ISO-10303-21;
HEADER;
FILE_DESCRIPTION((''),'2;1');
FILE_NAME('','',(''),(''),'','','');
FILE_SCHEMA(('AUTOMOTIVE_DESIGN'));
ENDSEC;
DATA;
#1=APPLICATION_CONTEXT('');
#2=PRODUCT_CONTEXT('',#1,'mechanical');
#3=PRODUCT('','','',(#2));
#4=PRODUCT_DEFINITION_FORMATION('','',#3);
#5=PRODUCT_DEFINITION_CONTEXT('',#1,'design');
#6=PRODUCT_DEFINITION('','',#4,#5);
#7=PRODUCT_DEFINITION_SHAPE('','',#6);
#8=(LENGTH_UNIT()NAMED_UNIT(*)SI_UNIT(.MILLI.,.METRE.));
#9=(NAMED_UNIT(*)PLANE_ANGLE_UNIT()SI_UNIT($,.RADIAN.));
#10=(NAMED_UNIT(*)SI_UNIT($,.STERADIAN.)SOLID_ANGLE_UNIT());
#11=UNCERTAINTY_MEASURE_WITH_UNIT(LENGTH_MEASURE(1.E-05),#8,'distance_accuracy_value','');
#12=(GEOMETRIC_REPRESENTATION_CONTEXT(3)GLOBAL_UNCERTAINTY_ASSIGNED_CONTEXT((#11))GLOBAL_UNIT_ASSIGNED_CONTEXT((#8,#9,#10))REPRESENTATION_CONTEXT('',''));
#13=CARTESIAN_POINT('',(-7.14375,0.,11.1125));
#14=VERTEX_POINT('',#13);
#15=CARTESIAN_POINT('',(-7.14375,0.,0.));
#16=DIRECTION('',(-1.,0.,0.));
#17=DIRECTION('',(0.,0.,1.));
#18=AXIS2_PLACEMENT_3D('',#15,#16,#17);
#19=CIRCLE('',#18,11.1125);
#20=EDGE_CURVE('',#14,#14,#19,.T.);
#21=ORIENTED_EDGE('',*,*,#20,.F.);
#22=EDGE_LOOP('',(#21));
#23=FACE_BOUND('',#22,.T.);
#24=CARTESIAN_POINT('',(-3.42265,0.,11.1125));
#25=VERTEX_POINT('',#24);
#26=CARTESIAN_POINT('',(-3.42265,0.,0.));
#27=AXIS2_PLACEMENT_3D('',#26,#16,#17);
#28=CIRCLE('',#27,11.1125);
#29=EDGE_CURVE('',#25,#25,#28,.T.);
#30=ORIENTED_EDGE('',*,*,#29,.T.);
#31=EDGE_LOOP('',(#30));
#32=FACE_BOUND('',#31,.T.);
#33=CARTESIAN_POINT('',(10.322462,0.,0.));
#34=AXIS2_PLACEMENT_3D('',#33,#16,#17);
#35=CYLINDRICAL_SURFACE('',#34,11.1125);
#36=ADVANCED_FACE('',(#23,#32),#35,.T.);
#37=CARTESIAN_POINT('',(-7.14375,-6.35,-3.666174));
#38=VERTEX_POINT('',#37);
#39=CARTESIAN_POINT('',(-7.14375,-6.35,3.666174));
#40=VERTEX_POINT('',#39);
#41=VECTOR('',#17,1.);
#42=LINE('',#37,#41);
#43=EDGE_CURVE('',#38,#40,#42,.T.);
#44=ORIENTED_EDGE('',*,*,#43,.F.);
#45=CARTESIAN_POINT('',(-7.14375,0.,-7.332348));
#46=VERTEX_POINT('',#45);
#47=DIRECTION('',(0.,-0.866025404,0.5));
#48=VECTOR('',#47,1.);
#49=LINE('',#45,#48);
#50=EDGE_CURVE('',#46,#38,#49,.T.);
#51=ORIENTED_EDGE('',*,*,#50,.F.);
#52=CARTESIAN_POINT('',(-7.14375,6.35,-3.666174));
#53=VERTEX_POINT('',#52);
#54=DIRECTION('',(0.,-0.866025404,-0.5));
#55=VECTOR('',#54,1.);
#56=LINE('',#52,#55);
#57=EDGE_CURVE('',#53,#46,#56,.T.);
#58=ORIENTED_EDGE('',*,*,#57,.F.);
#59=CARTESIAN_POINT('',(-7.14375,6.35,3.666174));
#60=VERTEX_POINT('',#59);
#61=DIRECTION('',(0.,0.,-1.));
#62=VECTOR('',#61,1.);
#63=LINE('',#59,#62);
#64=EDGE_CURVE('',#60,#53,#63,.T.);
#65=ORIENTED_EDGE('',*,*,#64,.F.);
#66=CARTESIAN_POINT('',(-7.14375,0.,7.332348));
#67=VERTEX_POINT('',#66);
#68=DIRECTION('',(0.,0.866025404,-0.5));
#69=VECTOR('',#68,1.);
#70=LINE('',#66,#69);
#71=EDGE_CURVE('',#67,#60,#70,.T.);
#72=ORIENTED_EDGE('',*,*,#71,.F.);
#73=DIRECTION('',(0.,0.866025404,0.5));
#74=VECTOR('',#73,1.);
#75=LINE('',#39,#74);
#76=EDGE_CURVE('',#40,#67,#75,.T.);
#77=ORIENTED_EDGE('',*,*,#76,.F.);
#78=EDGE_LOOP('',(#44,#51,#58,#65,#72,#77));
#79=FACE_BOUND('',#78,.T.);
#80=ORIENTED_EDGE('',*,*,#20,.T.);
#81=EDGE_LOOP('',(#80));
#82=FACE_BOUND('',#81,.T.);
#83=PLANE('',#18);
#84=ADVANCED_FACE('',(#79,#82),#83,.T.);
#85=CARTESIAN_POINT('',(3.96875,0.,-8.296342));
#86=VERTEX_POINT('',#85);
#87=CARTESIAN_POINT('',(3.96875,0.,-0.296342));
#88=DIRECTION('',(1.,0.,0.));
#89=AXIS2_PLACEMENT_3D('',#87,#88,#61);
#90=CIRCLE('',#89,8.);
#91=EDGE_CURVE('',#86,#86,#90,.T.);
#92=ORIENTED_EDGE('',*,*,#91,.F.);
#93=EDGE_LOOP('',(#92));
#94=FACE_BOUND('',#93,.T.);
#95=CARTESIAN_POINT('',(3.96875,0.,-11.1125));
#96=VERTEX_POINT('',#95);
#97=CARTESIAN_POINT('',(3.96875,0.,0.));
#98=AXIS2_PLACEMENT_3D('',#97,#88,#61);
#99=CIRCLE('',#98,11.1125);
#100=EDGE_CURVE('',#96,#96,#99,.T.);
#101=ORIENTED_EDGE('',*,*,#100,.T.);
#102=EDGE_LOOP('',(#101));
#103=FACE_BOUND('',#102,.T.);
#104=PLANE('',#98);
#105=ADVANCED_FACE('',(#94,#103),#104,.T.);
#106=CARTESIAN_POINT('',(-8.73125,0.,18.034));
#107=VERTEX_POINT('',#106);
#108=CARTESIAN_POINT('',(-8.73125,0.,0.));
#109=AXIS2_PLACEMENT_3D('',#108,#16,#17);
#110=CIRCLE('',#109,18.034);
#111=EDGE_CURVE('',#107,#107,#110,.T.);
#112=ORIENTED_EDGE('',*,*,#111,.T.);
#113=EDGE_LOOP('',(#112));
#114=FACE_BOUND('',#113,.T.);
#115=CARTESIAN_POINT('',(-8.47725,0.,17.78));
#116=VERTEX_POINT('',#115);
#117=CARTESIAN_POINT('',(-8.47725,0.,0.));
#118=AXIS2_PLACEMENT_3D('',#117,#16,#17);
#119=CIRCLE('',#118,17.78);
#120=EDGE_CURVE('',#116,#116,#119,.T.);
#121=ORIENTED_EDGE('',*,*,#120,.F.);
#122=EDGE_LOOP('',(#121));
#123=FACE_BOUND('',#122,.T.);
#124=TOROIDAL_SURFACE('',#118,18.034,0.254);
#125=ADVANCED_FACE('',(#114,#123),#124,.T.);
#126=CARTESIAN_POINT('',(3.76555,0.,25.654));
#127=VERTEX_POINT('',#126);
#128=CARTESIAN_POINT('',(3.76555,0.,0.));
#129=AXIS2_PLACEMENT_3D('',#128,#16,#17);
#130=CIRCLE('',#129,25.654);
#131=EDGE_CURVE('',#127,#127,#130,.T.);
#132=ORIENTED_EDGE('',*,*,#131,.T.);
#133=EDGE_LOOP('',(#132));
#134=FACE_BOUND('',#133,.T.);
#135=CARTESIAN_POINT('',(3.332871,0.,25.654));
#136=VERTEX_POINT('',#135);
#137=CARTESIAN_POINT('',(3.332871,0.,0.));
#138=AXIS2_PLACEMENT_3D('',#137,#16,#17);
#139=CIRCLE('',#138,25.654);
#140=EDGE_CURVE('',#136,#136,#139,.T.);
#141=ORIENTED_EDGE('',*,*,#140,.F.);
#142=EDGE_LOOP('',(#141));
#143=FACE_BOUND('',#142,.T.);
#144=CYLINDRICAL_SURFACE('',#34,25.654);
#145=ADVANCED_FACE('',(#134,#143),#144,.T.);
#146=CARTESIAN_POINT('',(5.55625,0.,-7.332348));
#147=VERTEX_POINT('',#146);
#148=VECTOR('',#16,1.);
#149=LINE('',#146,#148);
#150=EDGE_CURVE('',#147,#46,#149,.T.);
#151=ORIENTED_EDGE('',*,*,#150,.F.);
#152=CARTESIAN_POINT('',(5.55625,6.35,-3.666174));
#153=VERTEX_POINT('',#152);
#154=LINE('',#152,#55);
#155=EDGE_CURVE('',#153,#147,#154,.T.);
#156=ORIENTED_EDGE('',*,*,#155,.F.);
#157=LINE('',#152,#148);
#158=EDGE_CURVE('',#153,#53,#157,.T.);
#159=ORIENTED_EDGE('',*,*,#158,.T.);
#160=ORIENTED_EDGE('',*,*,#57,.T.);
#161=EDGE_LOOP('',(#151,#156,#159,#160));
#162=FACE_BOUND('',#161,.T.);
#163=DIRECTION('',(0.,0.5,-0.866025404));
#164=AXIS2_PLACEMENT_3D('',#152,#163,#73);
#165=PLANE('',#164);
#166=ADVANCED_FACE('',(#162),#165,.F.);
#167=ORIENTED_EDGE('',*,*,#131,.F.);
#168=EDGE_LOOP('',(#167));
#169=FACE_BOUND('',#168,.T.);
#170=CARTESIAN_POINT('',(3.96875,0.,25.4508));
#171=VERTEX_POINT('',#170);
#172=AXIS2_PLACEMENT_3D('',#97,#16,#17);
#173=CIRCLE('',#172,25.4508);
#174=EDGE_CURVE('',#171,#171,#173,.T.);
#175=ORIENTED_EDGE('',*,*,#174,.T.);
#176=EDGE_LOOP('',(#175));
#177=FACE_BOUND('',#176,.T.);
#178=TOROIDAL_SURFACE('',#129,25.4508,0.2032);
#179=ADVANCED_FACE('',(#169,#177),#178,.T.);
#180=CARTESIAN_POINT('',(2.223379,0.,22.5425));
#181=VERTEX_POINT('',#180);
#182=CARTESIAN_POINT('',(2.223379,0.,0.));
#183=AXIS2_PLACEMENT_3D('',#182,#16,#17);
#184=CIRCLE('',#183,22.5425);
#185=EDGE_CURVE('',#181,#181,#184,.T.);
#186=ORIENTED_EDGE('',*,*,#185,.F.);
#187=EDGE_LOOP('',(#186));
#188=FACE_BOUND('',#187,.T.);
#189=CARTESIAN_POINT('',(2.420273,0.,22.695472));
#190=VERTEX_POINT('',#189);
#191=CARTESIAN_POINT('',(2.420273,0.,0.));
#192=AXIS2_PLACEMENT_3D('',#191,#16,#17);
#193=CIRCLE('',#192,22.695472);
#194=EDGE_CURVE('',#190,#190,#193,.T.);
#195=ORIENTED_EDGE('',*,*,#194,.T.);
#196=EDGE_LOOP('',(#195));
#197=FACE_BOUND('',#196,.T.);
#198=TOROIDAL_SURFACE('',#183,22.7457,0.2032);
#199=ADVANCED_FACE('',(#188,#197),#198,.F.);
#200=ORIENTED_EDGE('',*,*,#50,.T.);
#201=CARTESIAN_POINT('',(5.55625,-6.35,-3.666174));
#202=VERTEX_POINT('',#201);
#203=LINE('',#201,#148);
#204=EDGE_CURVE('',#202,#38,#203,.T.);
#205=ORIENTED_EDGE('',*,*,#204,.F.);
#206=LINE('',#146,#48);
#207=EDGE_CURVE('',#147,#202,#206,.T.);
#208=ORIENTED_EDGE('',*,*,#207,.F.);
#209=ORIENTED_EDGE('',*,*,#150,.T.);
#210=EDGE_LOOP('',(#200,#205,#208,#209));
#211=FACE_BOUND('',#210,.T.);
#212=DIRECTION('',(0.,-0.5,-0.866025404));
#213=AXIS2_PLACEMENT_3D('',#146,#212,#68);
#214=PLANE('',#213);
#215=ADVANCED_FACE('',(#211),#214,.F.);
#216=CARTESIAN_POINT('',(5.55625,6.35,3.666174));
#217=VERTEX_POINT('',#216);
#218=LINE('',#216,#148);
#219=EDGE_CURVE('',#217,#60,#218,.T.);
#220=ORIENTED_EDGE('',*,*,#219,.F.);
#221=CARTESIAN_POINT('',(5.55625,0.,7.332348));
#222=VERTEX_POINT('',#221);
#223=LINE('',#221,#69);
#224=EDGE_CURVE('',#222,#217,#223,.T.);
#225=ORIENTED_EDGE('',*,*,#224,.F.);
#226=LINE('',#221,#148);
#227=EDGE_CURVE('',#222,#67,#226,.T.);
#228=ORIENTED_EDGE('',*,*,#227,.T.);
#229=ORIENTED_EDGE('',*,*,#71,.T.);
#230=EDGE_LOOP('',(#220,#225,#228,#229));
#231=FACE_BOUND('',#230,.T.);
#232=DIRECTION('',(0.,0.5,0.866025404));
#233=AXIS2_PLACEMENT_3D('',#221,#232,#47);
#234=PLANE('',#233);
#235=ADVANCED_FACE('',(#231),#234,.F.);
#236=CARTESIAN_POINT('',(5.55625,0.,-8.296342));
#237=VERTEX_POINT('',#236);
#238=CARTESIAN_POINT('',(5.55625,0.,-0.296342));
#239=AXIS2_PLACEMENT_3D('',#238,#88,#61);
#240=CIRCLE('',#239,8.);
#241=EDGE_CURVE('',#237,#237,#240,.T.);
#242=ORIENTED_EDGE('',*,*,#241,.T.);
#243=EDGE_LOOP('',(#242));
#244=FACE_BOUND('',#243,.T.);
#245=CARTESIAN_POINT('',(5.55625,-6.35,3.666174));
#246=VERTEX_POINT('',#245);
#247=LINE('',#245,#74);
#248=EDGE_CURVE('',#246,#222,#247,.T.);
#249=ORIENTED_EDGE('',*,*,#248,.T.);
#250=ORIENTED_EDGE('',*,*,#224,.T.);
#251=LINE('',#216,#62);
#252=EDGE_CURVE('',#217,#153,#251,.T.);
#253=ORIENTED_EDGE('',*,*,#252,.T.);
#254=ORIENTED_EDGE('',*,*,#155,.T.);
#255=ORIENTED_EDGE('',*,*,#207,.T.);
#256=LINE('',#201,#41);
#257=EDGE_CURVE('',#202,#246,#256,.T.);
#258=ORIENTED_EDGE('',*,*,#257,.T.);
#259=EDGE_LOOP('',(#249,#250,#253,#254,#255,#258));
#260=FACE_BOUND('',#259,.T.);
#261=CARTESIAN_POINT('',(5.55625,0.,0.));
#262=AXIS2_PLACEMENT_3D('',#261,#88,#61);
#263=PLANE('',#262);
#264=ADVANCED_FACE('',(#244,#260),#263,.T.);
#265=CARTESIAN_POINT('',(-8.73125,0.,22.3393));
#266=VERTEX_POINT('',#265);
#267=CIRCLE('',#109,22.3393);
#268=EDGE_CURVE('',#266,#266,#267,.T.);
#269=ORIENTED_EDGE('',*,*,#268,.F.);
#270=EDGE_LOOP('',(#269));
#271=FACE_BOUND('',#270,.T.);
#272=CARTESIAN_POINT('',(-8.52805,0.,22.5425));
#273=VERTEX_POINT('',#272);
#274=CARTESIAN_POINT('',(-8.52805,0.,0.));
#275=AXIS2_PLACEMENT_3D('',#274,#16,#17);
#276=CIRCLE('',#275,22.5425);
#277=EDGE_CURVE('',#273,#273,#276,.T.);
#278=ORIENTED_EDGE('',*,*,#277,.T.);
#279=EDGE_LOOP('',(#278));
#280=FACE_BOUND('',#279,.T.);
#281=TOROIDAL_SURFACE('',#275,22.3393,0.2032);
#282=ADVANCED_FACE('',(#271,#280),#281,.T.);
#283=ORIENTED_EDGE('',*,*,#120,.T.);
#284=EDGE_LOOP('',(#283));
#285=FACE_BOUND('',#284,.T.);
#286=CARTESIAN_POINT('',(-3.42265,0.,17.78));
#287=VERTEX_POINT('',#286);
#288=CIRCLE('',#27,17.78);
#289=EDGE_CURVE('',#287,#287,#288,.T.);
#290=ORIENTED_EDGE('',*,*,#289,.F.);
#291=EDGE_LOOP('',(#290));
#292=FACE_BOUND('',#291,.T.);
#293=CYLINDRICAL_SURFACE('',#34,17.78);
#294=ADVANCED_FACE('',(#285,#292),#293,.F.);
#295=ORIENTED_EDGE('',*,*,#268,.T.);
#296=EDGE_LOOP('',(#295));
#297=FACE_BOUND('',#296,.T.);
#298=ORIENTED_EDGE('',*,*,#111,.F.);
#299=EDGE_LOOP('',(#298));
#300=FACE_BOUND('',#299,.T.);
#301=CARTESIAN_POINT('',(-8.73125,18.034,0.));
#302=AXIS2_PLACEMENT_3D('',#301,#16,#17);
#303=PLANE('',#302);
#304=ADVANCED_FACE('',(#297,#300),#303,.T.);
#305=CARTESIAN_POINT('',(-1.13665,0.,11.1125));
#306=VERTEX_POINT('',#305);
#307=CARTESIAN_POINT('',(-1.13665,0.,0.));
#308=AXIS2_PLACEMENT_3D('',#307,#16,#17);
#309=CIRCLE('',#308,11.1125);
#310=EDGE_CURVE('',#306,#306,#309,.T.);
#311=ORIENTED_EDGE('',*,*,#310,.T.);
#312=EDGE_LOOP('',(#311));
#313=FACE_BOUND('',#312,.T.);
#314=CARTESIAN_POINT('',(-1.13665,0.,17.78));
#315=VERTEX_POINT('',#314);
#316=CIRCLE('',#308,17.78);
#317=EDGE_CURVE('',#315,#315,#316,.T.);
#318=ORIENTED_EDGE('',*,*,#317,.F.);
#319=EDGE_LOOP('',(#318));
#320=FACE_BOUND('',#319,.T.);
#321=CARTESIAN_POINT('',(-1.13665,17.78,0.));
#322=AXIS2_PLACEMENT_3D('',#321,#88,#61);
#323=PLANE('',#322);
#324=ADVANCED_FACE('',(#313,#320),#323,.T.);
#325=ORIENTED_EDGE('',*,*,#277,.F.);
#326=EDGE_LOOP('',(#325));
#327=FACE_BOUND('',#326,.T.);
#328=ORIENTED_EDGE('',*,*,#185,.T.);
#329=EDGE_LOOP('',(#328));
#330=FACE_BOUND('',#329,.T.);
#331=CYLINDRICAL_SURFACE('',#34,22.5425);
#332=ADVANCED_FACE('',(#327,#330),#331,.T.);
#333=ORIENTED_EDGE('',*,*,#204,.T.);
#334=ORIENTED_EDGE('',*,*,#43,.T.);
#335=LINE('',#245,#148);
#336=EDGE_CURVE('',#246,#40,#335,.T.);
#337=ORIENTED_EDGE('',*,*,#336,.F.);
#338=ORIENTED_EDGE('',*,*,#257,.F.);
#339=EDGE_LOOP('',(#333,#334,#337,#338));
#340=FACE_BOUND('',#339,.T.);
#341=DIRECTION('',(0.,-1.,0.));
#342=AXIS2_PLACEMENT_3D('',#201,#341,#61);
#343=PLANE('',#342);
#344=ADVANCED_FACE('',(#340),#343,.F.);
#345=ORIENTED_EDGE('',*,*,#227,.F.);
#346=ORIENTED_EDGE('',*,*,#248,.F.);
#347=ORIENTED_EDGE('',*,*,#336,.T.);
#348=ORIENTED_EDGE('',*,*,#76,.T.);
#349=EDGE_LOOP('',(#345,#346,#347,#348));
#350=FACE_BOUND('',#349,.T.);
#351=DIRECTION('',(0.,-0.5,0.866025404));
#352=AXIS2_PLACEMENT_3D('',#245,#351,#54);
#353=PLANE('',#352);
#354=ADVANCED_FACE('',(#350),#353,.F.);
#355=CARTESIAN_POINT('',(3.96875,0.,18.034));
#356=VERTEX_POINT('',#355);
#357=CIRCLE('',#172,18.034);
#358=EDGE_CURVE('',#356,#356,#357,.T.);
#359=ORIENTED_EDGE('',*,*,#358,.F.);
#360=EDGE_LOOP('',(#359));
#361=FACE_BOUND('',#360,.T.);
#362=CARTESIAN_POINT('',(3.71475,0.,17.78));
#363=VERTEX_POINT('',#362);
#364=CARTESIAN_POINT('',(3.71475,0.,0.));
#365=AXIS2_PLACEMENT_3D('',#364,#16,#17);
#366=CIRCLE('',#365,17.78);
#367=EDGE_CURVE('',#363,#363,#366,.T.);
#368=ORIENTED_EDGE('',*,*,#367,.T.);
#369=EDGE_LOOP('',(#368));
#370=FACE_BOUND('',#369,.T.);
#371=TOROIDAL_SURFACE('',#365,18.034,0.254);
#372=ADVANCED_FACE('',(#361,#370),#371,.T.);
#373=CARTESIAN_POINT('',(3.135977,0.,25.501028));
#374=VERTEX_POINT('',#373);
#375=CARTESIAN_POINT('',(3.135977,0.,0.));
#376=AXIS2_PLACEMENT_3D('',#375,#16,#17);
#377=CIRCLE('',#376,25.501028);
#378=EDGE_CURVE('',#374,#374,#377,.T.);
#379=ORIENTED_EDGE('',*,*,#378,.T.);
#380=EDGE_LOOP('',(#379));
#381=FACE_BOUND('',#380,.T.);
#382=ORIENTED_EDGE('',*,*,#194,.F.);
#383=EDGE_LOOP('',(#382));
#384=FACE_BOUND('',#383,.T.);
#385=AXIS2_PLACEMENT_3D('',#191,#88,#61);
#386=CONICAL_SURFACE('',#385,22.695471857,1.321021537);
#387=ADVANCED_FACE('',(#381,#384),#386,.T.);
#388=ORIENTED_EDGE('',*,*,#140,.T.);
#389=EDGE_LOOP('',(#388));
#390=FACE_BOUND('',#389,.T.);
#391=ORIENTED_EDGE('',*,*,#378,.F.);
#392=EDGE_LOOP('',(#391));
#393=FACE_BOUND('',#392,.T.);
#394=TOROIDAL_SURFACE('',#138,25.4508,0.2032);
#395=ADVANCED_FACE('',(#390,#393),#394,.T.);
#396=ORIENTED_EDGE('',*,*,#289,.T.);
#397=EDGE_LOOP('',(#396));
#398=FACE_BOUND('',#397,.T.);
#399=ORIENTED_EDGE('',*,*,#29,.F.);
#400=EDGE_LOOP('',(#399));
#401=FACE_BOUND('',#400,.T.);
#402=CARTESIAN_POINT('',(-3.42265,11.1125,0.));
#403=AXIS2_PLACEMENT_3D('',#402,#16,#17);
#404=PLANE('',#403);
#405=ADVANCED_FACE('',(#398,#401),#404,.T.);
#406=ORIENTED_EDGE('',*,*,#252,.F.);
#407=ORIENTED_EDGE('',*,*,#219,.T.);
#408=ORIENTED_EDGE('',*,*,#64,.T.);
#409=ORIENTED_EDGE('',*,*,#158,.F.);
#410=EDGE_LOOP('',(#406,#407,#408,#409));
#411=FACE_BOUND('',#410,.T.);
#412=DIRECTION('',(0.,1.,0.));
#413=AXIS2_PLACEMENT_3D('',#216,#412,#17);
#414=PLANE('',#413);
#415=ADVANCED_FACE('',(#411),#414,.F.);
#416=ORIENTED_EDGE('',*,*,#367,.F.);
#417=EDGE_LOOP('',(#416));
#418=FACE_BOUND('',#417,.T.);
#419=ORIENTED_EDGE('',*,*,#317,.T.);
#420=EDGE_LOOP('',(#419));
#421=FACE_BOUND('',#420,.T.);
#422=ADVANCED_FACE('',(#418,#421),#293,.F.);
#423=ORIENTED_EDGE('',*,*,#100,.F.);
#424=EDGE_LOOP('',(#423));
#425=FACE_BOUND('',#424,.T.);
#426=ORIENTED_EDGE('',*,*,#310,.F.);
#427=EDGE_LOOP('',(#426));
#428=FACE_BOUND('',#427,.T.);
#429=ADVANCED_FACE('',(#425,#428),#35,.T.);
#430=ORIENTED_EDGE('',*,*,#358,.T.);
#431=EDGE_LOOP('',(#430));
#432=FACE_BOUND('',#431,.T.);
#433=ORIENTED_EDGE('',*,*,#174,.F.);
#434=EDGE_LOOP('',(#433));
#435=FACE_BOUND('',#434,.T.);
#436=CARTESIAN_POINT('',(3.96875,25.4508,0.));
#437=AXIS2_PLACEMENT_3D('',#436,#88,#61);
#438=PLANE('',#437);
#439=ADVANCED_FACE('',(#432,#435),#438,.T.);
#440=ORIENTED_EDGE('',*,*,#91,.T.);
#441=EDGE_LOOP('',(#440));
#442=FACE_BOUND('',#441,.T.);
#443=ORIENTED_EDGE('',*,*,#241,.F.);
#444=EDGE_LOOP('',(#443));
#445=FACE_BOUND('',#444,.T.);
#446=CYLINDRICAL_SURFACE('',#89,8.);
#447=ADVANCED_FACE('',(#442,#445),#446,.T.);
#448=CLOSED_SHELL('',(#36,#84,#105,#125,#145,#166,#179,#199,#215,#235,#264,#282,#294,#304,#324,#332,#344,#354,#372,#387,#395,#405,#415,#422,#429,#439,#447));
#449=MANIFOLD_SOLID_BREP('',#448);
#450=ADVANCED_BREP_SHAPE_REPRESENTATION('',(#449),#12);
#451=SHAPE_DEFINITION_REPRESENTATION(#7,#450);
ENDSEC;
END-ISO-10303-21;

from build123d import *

# Parameters (mm, degrees)
SKETCH2_R          = 11.1125
CUT_EXTRUDE1_DEPTH = 4.7625
CUT_EXTRUDE2_START = -3.175
SKETCH3_R          = 11.1125
CUT_EXTRUDE2_DEPTH = 3.175
CUT_EXTRUDE3_DEPTH = 39.438853223
SKETCH5_R          = 11.1125
SKETCH5_R_2        = 8
CUT_EXTRUDE4_DEPTH = 1.5875


with BuildPart() as part:
    # Sketch1 → Revolve1 (revolve)
    with BuildSketch(Plane(origin=(0, 0, 0), x_dir=(-1, 0, 0), z_dir=(0, 0, -1)), mode=Mode.PRIVATE) as revolve1_sk:
        with BuildLine():
            Line((8.47725, 11.1125), (3.42265, 11.1125))
            Line((3.42265, 11.1125), (3.42265, 17.78))
            Line((3.42265, 17.78), (8.47725, 17.78))
            ThreePointArc((8.47725, 17.78), (8.656855122, 17.854394878), (8.73125, 18.034))
            Line((8.73125, 18.034), (8.73125, 22.3393))
            ThreePointArc((8.73125, 22.3393), (8.671734098, 22.482984098), (8.52805, 22.5425))
            Line((8.52805, 22.5425), (-2.223379112, 22.5425))
            ThreePointArc((-2.223379112, 22.5425), (-2.348046432, 22.585237234), (-2.420273433, 22.695471857))
            Line((-2.420273433, 22.695471857), (-3.135976567, 25.501028143))
            ThreePointArc((-3.135976567, 25.501028143), (-3.208203568, 25.611262766), (-3.332870888, 25.654))
            Line((-3.332870888, 25.654), (-3.76555, 25.654))
            ThreePointArc((-3.76555, 25.654), (-3.909234098, 25.594484098), (-3.96875, 25.4508))
            Line((-3.96875, 25.4508), (-3.96875, 18.034))
            ThreePointArc((-3.96875, 18.034), (-3.894355122, 17.854394878), (-3.71475, 17.78))
            Line((-3.71475, 17.78), (1.13665, 17.78))
            Line((1.13665, 17.78), (1.13665, 11.1125))
            Line((1.13665, 11.1125), (-10.11555, 11.1125))
            ThreePointArc((-10.11555, 11.1125), (-10.259234098, 11.052984098), (-10.31875, 10.9093))
            Line((-10.31875, 10.9093), (-10.31875, 3.3782))
            ThreePointArc((-10.31875, 3.3782), (-10.259234098, 3.234515902), (-10.11555, 3.175))
            Line((-10.11555, 3.175), (10.11555, 3.175))
            ThreePointArc((10.11555, 3.175), (10.259234098, 3.234515902), (10.31875, 3.3782))
            Line((10.31875, 3.3782), (10.31875, 4.5593))
            ThreePointArc((10.31875, 4.5593), (10.259234098, 4.702984098), (10.11555, 4.7625))
            Line((10.11555, 4.7625), (8.73125, 4.7625))
            Line((8.73125, 4.7625), (8.73125, 10.8585))
            ThreePointArc((8.73125, 10.8585), (8.656855122, 11.038105122), (8.47725, 11.1125))
        make_face()
    revolve(revolve1_sk.sketch.rotate(Axis((10.322461745, 0, 0), (-1, 0, 0)), 270), axis=Axis((10.322461745, 0, 0), (-1, 0, 0)))

    # Sketch2 → Cut-Extrude1 (cut)
    with BuildSketch(Plane(origin=(10.31875, 0, 0), x_dir=(0, 0, -1), z_dir=(1, 0, 0))):
        with Locations(Location((0, 0, 0), (0, 0, 180))):
            Circle(SKETCH2_R)
    extrude(amount=-CUT_EXTRUDE1_DEPTH, mode=Mode.SUBTRACT)

    # Sketch3 → Cut-Extrude2 (cut)
    with BuildSketch(Plane.ZY.offset(10.31875).offset(CUT_EXTRUDE2_START)):
        Circle(SKETCH3_R)
    extrude(amount=CUT_EXTRUDE2_DEPTH, mode=Mode.SUBTRACT)

    # Sketch4 → Cut-Extrude3 (cut, through all)
    with BuildSketch(Plane.ZY.offset(7.14375)):
        Polygon((3.666174209, 6.35), (-3.666174209, 6.35), (-7.332348419, 0), (-3.666174209, -6.35), (3.666174209, -6.35), (7.332348419, 0), align=None)
    extrude(amount=-CUT_EXTRUDE3_DEPTH, mode=Mode.SUBTRACT)

    # Sketch5 → Cut-Extrude4 (cut)
    with BuildSketch(Plane(origin=(5.55625, 0, 0), x_dir=(0, 0, -1), z_dir=(1, 0, 0))):
        with Locations(Location((0, 0, 0), (0, 0, 180))):
            Circle(SKETCH5_R)
        with Locations((0.296341565, 0)):
            Circle(SKETCH5_R_2, mode=Mode.SUBTRACT)
    extrude(amount=-CUT_EXTRUDE4_DEPTH, mode=Mode.SUBTRACT)


solid = part.part
